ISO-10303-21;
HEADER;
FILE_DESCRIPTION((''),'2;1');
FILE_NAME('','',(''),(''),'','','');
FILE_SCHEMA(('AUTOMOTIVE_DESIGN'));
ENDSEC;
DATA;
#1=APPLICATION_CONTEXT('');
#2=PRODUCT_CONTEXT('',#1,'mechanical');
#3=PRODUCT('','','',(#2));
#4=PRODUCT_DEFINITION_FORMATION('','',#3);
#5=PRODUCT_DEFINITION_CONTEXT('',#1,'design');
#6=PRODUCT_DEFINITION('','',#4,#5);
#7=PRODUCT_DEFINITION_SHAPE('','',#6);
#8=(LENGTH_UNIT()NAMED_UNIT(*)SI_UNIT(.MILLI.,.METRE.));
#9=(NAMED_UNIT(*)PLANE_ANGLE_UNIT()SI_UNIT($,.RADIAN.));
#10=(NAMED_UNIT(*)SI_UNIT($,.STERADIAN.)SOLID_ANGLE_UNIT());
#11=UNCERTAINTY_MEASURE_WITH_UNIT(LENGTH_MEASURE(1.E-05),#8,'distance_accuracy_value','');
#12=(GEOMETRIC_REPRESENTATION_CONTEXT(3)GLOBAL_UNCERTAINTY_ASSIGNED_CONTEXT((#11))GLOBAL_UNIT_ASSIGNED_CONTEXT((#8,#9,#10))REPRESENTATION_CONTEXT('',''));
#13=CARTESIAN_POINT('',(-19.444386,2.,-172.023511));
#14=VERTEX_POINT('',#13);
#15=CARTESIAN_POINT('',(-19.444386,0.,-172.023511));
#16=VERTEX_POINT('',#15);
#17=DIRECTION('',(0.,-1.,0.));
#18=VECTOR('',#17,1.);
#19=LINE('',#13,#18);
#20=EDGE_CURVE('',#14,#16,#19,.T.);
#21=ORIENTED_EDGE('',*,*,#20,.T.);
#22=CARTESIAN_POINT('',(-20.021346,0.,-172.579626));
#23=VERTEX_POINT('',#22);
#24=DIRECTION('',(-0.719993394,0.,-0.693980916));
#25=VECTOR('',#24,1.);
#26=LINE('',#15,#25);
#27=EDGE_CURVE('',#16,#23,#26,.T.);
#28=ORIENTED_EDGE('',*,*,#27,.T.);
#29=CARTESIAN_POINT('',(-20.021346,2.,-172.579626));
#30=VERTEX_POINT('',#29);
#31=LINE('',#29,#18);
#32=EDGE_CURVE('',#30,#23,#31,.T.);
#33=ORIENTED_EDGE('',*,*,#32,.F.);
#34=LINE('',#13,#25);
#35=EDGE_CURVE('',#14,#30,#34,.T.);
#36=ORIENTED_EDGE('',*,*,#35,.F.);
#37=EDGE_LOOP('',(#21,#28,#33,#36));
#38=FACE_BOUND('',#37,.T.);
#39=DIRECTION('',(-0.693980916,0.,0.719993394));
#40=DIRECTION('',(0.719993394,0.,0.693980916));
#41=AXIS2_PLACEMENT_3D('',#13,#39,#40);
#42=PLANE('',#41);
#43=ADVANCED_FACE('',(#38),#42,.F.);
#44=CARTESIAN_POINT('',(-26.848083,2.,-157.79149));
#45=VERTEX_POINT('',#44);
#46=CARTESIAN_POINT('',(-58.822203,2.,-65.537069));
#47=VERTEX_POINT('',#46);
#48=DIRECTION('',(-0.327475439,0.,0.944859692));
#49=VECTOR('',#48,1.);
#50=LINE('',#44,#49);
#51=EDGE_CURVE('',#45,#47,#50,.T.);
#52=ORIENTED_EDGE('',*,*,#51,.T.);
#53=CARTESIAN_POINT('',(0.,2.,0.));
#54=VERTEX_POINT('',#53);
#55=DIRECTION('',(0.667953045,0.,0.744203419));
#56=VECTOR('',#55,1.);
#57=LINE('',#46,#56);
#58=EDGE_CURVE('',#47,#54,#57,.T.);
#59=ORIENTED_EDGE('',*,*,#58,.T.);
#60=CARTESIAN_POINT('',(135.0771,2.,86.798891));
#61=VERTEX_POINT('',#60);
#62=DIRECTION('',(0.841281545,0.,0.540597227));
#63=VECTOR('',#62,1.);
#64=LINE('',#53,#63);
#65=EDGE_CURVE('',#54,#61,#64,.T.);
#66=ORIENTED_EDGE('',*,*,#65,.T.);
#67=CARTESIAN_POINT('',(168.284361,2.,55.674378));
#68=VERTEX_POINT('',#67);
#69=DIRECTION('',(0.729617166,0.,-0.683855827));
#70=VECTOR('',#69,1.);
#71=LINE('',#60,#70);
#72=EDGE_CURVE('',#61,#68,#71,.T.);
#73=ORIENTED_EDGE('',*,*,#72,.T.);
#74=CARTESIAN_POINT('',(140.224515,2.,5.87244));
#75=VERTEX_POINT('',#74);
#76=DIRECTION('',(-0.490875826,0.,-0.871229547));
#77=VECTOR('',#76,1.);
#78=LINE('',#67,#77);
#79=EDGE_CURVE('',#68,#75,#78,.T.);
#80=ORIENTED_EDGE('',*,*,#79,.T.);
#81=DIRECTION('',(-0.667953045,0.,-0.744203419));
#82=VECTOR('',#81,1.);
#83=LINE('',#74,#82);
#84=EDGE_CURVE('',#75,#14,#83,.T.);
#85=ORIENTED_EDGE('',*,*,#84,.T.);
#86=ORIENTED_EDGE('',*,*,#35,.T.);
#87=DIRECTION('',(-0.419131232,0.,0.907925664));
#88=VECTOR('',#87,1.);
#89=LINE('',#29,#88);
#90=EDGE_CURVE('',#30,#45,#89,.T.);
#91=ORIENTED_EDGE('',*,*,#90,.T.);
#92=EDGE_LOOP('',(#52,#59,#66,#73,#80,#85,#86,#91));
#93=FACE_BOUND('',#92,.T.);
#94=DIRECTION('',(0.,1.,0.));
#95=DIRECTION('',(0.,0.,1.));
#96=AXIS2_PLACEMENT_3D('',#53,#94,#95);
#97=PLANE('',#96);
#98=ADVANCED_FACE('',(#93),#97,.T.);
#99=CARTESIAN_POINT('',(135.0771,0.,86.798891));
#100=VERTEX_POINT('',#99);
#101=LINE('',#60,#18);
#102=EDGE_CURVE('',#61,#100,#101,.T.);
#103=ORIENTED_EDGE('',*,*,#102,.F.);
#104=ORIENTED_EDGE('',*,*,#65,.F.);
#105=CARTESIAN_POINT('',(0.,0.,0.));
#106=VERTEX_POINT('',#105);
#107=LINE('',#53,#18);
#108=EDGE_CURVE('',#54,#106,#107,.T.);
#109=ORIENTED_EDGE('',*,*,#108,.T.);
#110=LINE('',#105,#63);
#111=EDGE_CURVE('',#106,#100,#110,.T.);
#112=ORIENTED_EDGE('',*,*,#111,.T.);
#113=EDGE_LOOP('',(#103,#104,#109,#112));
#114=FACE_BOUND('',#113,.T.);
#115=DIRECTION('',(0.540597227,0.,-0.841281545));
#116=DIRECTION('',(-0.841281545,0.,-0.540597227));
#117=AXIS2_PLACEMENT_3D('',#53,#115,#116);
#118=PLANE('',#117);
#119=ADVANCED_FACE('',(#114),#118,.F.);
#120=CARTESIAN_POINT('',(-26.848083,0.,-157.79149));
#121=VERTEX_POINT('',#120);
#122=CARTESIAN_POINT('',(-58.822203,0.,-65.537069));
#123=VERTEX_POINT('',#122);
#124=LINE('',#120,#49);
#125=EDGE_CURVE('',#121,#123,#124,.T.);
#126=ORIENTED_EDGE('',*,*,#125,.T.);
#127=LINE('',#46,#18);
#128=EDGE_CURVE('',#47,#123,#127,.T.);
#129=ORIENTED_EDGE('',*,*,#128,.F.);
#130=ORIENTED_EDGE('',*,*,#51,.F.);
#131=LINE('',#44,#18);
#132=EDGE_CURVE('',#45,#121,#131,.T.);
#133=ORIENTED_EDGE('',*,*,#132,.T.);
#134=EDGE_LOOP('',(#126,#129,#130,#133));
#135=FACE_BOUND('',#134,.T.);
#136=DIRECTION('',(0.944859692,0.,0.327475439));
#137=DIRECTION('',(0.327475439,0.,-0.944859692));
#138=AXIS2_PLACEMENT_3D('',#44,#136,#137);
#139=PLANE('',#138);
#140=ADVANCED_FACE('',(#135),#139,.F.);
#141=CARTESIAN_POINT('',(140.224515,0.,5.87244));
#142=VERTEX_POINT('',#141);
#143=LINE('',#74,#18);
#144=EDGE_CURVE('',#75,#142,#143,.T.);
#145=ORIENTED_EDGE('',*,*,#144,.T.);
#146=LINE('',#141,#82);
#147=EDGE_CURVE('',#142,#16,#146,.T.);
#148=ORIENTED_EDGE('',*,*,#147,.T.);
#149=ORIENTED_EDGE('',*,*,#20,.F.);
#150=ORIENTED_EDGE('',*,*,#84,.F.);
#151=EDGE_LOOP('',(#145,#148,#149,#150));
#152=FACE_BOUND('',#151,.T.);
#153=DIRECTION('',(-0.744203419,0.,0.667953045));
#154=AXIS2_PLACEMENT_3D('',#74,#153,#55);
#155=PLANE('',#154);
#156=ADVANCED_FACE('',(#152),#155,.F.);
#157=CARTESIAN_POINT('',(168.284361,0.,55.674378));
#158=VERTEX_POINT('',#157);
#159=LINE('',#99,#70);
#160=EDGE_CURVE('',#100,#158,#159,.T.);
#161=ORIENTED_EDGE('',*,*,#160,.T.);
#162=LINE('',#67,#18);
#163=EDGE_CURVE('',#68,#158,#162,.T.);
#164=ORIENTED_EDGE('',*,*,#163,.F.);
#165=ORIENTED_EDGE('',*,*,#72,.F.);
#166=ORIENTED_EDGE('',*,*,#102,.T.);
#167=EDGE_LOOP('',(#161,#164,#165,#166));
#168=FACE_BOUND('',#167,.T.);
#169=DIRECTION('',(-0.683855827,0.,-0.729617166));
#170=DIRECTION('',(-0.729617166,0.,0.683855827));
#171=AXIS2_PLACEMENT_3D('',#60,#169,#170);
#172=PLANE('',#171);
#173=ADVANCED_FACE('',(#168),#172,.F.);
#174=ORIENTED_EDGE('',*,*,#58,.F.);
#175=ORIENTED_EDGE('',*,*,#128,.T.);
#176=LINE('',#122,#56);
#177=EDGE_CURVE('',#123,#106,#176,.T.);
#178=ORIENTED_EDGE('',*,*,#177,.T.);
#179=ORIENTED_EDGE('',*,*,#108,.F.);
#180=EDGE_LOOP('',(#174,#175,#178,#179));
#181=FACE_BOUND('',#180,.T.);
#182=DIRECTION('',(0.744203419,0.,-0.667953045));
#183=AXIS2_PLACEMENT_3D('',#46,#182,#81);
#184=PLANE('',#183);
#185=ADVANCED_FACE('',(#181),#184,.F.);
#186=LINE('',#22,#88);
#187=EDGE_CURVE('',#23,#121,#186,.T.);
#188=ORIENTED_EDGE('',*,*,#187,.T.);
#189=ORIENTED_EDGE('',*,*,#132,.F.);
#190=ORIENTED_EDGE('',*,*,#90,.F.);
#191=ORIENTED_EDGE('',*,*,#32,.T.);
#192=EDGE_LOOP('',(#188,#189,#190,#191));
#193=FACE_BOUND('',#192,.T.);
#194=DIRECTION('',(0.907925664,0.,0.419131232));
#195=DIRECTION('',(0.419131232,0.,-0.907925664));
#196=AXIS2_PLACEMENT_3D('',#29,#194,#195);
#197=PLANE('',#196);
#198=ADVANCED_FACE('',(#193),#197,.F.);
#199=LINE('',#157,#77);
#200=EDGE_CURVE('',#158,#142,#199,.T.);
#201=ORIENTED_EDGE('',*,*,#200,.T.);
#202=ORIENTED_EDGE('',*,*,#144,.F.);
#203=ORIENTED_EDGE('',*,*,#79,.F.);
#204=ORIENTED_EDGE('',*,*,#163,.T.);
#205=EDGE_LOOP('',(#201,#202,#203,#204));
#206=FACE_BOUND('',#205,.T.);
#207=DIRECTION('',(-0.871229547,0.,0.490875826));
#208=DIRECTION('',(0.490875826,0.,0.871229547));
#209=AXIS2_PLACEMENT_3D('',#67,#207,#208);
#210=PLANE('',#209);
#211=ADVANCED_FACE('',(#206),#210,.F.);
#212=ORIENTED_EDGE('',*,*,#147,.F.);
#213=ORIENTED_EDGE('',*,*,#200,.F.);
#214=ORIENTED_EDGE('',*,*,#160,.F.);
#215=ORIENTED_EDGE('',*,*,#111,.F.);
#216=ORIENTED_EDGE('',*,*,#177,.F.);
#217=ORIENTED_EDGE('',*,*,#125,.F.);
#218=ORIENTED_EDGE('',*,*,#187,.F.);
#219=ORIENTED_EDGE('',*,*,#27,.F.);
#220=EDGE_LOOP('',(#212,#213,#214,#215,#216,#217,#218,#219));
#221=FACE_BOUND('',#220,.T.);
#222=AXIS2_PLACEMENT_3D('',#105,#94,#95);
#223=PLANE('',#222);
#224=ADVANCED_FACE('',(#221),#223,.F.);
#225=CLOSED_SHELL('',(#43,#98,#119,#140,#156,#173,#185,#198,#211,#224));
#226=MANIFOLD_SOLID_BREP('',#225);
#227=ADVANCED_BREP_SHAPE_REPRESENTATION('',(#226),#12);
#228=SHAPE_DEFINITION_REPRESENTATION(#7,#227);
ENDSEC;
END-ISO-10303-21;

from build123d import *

# Parameters (mm, degrees)
BOSS_EXTRU_1_DEPTH = 2


with BuildPart() as part:
    # Esquisse1 → Boss.-Extru.1 (new body)
    with BuildSketch(Plane(origin=(0, 0, 0), x_dir=(1, 0, 0), z_dir=(0, 1, 0))):
        Polygon((-26.848083334, 157.791490328), (-58.822203261, 65.53706895), (0, 0), (135.077099652, -86.798891375), (168.284361453, -55.674377676), (140.224514958, -5.87243991), (-19.444386043, 172.023510836), (-20.021346405, 172.579626327), align=None)
    extrude(amount=BOSS_EXTRU_1_DEPTH)


solid = part.part
